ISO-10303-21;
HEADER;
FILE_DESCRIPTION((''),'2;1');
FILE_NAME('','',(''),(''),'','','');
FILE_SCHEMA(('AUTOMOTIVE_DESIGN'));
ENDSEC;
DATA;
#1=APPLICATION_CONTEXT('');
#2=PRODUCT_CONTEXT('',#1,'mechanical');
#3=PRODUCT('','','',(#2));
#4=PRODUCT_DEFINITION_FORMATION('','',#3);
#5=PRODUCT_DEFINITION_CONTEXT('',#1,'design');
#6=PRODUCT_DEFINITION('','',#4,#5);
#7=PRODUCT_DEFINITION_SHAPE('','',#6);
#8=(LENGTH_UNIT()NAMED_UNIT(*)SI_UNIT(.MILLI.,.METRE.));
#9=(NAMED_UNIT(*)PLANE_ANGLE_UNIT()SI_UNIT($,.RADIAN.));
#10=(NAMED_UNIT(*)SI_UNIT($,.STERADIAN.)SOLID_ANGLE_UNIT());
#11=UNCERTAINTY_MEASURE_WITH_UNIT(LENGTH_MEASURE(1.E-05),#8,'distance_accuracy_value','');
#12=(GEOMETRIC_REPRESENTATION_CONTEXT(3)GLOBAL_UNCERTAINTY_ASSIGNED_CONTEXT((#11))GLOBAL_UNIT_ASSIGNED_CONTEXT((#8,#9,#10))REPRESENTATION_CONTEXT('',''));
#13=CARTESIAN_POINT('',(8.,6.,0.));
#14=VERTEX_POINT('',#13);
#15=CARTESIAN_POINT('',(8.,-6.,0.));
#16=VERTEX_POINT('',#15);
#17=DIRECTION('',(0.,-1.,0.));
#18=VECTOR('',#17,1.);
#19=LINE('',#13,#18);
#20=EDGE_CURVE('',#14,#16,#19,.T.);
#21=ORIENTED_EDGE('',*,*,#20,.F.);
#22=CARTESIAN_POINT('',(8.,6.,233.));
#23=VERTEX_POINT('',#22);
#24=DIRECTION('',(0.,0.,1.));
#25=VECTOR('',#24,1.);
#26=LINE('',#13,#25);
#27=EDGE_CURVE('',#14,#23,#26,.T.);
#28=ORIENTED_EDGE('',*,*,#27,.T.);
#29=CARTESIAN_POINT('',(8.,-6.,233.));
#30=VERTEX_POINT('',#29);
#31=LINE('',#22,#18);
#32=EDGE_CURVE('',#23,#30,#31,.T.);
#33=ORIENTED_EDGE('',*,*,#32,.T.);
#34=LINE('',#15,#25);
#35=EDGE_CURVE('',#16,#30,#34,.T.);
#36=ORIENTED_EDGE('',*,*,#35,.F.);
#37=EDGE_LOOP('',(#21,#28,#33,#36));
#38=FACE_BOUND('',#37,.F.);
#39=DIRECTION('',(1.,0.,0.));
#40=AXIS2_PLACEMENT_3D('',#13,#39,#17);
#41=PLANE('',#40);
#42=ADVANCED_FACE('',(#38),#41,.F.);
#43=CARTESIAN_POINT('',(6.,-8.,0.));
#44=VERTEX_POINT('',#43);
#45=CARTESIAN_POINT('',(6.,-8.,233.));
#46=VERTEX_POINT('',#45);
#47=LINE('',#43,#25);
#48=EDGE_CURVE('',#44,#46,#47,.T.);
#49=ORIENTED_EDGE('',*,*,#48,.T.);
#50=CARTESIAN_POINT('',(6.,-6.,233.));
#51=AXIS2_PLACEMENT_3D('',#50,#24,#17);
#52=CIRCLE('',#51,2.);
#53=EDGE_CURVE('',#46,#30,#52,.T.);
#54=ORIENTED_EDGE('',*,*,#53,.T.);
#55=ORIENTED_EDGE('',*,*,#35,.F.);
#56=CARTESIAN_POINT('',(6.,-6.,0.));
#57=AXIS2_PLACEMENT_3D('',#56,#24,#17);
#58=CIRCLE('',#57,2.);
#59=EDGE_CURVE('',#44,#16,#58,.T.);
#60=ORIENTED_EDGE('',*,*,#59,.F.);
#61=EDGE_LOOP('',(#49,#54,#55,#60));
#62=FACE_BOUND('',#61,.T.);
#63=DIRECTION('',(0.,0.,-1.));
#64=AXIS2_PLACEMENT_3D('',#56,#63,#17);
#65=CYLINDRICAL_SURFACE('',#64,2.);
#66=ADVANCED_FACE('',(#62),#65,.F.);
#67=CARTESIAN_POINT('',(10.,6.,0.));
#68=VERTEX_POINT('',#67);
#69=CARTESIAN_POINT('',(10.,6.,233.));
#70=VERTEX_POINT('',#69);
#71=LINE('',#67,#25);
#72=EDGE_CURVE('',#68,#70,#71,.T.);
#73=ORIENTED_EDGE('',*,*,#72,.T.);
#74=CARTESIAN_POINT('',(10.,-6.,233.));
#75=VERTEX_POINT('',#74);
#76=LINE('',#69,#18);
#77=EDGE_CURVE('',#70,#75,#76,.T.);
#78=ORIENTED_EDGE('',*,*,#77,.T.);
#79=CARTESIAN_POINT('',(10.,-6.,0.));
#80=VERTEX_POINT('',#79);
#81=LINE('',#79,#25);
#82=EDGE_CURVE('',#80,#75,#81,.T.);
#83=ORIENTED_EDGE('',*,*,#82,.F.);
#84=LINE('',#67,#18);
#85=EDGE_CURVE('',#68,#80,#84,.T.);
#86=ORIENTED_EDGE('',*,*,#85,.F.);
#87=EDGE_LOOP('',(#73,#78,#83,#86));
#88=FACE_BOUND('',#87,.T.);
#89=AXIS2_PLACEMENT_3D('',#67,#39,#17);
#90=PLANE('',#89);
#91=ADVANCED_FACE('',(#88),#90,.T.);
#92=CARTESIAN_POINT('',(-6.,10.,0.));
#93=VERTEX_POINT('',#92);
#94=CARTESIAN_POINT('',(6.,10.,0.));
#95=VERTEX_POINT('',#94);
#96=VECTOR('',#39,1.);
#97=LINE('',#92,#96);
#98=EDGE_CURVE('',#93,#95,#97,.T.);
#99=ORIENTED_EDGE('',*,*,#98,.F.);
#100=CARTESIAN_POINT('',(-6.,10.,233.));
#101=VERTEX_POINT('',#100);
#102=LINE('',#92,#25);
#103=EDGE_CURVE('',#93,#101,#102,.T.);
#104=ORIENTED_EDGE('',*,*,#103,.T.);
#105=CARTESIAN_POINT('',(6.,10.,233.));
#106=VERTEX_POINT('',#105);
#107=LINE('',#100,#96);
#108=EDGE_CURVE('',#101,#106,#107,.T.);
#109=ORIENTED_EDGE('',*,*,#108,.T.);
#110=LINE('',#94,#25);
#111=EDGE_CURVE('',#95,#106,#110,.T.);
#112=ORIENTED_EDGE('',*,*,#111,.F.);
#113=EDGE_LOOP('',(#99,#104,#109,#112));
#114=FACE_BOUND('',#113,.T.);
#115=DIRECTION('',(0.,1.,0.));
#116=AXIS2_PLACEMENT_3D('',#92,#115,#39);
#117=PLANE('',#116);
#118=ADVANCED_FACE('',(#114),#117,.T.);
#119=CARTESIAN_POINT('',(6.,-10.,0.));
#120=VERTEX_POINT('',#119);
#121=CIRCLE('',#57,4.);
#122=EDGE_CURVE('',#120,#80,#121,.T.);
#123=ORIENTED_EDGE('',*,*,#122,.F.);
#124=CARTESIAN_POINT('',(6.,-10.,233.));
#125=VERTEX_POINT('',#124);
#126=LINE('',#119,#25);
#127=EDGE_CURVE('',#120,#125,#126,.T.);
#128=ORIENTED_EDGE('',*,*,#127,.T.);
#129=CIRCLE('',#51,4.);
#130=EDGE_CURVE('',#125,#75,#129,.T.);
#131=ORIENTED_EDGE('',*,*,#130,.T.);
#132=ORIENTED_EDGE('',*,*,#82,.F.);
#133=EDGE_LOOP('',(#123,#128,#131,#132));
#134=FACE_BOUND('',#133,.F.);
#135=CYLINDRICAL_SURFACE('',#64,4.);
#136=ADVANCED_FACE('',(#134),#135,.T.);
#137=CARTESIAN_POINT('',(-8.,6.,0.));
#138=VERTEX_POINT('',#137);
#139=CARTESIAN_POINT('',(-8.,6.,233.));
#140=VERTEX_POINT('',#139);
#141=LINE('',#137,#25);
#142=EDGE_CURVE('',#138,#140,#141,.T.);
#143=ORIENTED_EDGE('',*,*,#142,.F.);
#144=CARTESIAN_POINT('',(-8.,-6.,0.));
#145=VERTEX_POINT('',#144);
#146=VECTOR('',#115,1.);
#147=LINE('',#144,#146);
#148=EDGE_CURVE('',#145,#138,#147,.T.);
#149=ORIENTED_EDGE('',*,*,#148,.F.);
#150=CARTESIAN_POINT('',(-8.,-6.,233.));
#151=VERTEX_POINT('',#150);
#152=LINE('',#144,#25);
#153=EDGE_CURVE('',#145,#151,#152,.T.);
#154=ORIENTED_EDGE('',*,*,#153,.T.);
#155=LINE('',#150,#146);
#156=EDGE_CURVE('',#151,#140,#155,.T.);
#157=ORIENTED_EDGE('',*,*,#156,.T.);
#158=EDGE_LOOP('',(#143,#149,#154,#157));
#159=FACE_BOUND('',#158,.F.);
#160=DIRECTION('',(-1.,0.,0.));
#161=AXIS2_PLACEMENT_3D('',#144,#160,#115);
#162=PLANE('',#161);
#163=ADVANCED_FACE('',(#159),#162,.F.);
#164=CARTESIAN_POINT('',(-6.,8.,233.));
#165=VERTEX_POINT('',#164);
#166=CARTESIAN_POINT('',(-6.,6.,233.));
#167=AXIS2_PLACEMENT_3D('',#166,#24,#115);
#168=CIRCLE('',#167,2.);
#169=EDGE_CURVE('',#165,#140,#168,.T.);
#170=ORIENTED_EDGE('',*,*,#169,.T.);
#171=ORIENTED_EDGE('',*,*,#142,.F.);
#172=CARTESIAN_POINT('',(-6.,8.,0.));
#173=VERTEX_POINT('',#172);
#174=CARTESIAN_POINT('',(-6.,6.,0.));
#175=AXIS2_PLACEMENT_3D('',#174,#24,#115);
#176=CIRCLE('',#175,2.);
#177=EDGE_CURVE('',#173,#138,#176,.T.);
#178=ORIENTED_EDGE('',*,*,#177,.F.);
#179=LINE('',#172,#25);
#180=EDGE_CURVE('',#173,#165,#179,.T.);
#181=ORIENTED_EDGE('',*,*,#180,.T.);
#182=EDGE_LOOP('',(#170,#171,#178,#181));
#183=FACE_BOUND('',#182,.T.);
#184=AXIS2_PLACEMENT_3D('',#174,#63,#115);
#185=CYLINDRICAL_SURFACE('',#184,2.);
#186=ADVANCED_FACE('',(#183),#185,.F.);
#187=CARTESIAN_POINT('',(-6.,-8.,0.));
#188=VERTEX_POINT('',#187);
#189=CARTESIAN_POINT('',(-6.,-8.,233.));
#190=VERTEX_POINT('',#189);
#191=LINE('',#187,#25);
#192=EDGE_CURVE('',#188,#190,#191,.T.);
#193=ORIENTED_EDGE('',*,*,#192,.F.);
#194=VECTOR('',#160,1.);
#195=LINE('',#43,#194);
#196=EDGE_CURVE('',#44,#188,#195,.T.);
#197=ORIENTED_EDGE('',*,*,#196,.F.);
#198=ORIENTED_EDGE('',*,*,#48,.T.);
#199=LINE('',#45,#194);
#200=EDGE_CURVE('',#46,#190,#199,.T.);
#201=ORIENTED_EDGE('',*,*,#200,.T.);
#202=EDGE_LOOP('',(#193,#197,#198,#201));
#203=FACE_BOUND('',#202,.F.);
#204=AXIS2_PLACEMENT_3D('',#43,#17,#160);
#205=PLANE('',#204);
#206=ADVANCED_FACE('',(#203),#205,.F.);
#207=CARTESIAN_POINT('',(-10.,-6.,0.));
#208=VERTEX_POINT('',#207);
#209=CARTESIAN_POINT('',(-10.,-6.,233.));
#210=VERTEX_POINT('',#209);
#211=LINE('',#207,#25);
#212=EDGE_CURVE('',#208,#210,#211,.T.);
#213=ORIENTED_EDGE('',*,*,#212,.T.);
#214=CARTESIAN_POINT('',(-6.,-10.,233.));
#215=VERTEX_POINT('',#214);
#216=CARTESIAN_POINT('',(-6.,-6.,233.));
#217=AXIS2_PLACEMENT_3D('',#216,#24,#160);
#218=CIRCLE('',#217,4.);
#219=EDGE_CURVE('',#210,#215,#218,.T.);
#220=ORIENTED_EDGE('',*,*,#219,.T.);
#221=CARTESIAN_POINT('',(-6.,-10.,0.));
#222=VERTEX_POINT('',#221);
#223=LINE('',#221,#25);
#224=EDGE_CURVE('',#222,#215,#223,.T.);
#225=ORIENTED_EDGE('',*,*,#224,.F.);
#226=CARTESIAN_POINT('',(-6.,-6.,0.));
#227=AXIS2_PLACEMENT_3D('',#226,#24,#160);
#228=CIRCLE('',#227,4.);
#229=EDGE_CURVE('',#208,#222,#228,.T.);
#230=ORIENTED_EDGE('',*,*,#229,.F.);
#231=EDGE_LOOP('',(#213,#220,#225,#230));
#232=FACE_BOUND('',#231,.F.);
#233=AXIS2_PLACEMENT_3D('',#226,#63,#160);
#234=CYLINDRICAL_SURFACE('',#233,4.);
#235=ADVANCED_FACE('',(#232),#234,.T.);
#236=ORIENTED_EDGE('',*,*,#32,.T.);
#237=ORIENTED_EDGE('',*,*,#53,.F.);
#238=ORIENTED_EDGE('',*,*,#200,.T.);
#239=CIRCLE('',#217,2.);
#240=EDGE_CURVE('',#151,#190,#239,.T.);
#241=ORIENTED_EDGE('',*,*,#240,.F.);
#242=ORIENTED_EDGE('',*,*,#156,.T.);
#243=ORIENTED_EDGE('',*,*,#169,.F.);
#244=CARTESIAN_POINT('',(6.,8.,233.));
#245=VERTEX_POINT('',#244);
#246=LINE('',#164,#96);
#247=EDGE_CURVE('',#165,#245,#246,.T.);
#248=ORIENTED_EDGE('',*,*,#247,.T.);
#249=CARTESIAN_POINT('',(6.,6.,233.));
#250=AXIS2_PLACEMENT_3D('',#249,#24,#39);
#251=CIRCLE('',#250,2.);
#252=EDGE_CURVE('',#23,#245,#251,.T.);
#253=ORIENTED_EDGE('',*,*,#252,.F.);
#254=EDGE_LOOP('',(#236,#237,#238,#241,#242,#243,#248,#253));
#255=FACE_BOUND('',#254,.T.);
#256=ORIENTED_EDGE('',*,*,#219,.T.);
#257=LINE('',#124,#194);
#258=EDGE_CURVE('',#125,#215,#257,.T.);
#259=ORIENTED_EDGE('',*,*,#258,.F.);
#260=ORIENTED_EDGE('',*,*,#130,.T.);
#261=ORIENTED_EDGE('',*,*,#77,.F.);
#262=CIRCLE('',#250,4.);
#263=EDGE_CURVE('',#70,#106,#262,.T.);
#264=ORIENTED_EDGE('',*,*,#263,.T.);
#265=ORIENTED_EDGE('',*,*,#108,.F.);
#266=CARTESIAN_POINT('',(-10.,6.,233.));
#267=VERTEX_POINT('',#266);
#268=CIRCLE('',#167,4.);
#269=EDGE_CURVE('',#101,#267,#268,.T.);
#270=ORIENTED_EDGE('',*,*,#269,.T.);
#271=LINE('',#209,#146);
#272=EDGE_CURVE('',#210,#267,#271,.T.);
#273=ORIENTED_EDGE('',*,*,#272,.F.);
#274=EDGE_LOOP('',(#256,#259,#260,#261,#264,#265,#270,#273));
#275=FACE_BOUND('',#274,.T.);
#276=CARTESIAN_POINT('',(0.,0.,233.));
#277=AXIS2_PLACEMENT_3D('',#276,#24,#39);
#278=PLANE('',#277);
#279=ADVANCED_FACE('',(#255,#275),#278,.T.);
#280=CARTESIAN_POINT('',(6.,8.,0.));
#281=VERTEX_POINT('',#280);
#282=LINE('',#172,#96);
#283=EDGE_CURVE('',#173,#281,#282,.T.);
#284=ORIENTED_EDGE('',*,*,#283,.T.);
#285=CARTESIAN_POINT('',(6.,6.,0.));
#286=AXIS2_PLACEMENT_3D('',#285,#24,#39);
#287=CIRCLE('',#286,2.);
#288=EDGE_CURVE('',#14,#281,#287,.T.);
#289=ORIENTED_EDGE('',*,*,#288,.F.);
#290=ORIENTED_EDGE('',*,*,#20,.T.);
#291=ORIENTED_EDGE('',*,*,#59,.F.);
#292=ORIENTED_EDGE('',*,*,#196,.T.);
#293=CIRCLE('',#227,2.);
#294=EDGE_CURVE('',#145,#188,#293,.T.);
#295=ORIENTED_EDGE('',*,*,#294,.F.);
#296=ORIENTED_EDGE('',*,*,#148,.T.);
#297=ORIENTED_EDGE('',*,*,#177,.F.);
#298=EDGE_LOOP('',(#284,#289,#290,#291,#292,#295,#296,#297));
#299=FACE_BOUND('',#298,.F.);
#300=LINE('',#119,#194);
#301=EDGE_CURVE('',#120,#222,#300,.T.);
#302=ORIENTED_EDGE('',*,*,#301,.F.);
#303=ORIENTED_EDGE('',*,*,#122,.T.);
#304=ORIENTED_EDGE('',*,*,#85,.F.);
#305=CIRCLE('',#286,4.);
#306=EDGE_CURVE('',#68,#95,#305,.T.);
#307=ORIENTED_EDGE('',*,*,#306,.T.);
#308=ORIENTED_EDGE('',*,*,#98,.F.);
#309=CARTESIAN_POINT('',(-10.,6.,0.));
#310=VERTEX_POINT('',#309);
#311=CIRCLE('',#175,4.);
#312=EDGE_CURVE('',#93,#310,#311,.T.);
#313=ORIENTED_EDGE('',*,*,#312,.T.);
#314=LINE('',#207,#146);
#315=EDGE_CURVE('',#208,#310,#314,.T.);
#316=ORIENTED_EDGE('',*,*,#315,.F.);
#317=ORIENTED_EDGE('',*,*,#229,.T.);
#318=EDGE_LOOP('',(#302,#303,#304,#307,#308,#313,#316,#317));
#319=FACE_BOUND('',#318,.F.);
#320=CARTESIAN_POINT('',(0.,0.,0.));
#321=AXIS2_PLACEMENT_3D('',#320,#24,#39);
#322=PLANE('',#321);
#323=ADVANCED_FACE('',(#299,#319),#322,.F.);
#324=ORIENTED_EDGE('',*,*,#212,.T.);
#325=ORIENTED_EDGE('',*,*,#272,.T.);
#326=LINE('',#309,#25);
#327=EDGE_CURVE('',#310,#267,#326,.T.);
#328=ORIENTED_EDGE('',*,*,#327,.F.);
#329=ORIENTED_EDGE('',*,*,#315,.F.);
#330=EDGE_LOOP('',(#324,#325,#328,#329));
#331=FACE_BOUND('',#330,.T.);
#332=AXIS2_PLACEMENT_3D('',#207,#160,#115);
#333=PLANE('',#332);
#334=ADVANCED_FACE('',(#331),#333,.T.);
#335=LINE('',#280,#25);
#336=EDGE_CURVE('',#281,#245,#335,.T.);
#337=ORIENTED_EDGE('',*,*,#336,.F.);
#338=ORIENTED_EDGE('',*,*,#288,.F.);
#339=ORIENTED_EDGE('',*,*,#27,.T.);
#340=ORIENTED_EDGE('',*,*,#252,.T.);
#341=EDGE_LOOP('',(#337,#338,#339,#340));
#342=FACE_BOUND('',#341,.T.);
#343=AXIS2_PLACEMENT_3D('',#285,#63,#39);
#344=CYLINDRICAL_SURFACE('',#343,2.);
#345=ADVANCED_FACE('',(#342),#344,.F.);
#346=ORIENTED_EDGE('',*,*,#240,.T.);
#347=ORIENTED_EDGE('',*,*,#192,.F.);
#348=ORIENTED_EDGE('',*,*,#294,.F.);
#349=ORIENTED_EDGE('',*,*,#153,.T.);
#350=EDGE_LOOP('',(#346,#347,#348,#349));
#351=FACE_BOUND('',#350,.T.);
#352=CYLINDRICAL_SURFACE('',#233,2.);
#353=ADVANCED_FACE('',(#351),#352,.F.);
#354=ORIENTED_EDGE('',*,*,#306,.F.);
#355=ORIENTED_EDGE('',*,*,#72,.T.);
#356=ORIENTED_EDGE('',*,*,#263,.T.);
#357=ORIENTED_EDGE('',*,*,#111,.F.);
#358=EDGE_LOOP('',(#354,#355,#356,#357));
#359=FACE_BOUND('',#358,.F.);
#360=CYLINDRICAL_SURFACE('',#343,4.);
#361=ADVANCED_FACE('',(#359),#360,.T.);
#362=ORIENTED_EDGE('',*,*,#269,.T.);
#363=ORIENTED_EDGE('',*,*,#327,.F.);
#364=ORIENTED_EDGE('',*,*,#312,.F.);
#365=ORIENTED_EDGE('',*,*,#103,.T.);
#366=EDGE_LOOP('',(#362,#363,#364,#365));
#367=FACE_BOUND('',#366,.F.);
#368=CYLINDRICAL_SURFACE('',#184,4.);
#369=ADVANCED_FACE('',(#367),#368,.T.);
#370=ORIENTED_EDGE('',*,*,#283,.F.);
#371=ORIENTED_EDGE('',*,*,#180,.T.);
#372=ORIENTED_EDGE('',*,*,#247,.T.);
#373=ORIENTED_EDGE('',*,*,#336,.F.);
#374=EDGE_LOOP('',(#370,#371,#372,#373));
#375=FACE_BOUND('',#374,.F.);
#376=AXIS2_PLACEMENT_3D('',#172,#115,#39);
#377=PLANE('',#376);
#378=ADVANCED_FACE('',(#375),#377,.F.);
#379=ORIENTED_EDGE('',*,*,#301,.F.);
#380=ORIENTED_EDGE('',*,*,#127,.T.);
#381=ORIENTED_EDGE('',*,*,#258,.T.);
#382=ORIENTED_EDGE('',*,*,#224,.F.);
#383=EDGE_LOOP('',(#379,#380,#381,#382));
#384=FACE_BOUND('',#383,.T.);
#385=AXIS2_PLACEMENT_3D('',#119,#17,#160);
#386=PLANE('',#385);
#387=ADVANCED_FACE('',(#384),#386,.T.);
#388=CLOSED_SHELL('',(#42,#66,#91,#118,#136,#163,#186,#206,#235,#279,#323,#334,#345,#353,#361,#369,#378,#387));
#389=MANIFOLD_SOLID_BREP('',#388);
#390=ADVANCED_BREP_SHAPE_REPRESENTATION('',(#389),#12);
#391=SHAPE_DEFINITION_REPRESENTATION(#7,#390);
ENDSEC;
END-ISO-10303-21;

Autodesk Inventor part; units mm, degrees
ref_plane "YZ Plane" through (0, 0, 0) normal (1, 0, 0) x (0, 1, 0)
ref_plane "Plan de départ" through (0, 0, 0) normal (0, 0, 1) x (1, 0, 0)
ref_plane "Plan de fin" through (0, 0, 233) normal (0, 0, 1) x (1, 0, 0)
sketch "Esquisse" plane through (0, 0, 0) normal (0, 0, 1) x (1, 0, 0)
  line L0 (-10, -6) -> (-10, 6)
  line L1 (-6, 10) -> (6, 10)
  line L2 (10, 6) -> (10, -6)
  line L3 (6, -10) -> (-6, -10)
  arc A0 (-10, -6) -> (-6, -10) centre (-6, -6) ccw
  arc A1 (10, 6) -> (6, 10) centre (6, 6) ccw
  arc A2 (-6, 10) -> (-10, 6) centre (-6, 6) ccw
  arc A3 (6, -10) -> (10, -6) centre (6, -6) ccw
  arc A4 (-6, 8) -> (-8, 6) centre (-6, 6) ccw
  line L4 (-6, 8) -> (6, 8)
  arc A5 (8, 6) -> (6, 8) centre (6, 6) ccw
  line L5 (8, 6) -> (8, -6)
  arc A6 (6, -8) -> (8, -6) centre (6, -6) ccw
  line L6 (6, -8) -> (-6, -8)
  arc A7 (-8, -6) -> (-6, -8) centre (-6, -6) ccw
  line L7 (-8, -6) -> (-8, 6)
  line L8 (0, 15.1598) -> (0, -15.1598) construction
  line L9 (-15.1598, 0) -> (15.1598, 0) construction
  dimension "d7" = 4
  dimension "d9" = 20
  dimension "d11" = 20
  dimension "d12" = 2
  dimension "d15" = 10
  dimension "d16" = 10
extrude "Corps" add sketch "Esquisse" along normal up to surface (233 mm away) from surface at 0
sketch "Sketch3" plane through (0, 0, 0) normal (0, 0, 1) x (1, 0, 0)
  line L0 (0, 0) -> (10, 0)
ref_plane "Work Plane3" through (0, 0, 0) normal (0, -1, 0) x (1, 0, 0)
sketch "Sketch4" plane through (0, 0, 0) normal (0, -1, 0) x (1, 0, 0)
  line L0 (-2, 0) -> (12, 0) projected
  line L1 (-2, 233) -> (12, 233) projected
  dimension "d18" = 233
equation "\"d7\" = G_IR"
equation "\"d9\" = G_W"
equation "\"d11\" = G_H"
equation "\"d12\" = G_T"
equation "\"d15\" = 0.5 * d9"
equation "\"d16\" = 0.5 * d11"
equation "\"d3\" = G_L"
equation "\"G_W\" = 20"
equation "\"G_H\" = 20"
equation "\"G_T\" = 2"
equation "\"G_IR\" = 4"
equation "\"G_L\" = d18"
equation "\"G_OFFSET_START\" = 0"
equation "\"G_OFFSET_END\" = 0"
equation "\"d14\" = G_OFFSET_END + B_L"
equation "\"B_L\" = 233"
properties part number "ISO 10799-2 - 20x20x2 - 233" material "Acier, doux"
